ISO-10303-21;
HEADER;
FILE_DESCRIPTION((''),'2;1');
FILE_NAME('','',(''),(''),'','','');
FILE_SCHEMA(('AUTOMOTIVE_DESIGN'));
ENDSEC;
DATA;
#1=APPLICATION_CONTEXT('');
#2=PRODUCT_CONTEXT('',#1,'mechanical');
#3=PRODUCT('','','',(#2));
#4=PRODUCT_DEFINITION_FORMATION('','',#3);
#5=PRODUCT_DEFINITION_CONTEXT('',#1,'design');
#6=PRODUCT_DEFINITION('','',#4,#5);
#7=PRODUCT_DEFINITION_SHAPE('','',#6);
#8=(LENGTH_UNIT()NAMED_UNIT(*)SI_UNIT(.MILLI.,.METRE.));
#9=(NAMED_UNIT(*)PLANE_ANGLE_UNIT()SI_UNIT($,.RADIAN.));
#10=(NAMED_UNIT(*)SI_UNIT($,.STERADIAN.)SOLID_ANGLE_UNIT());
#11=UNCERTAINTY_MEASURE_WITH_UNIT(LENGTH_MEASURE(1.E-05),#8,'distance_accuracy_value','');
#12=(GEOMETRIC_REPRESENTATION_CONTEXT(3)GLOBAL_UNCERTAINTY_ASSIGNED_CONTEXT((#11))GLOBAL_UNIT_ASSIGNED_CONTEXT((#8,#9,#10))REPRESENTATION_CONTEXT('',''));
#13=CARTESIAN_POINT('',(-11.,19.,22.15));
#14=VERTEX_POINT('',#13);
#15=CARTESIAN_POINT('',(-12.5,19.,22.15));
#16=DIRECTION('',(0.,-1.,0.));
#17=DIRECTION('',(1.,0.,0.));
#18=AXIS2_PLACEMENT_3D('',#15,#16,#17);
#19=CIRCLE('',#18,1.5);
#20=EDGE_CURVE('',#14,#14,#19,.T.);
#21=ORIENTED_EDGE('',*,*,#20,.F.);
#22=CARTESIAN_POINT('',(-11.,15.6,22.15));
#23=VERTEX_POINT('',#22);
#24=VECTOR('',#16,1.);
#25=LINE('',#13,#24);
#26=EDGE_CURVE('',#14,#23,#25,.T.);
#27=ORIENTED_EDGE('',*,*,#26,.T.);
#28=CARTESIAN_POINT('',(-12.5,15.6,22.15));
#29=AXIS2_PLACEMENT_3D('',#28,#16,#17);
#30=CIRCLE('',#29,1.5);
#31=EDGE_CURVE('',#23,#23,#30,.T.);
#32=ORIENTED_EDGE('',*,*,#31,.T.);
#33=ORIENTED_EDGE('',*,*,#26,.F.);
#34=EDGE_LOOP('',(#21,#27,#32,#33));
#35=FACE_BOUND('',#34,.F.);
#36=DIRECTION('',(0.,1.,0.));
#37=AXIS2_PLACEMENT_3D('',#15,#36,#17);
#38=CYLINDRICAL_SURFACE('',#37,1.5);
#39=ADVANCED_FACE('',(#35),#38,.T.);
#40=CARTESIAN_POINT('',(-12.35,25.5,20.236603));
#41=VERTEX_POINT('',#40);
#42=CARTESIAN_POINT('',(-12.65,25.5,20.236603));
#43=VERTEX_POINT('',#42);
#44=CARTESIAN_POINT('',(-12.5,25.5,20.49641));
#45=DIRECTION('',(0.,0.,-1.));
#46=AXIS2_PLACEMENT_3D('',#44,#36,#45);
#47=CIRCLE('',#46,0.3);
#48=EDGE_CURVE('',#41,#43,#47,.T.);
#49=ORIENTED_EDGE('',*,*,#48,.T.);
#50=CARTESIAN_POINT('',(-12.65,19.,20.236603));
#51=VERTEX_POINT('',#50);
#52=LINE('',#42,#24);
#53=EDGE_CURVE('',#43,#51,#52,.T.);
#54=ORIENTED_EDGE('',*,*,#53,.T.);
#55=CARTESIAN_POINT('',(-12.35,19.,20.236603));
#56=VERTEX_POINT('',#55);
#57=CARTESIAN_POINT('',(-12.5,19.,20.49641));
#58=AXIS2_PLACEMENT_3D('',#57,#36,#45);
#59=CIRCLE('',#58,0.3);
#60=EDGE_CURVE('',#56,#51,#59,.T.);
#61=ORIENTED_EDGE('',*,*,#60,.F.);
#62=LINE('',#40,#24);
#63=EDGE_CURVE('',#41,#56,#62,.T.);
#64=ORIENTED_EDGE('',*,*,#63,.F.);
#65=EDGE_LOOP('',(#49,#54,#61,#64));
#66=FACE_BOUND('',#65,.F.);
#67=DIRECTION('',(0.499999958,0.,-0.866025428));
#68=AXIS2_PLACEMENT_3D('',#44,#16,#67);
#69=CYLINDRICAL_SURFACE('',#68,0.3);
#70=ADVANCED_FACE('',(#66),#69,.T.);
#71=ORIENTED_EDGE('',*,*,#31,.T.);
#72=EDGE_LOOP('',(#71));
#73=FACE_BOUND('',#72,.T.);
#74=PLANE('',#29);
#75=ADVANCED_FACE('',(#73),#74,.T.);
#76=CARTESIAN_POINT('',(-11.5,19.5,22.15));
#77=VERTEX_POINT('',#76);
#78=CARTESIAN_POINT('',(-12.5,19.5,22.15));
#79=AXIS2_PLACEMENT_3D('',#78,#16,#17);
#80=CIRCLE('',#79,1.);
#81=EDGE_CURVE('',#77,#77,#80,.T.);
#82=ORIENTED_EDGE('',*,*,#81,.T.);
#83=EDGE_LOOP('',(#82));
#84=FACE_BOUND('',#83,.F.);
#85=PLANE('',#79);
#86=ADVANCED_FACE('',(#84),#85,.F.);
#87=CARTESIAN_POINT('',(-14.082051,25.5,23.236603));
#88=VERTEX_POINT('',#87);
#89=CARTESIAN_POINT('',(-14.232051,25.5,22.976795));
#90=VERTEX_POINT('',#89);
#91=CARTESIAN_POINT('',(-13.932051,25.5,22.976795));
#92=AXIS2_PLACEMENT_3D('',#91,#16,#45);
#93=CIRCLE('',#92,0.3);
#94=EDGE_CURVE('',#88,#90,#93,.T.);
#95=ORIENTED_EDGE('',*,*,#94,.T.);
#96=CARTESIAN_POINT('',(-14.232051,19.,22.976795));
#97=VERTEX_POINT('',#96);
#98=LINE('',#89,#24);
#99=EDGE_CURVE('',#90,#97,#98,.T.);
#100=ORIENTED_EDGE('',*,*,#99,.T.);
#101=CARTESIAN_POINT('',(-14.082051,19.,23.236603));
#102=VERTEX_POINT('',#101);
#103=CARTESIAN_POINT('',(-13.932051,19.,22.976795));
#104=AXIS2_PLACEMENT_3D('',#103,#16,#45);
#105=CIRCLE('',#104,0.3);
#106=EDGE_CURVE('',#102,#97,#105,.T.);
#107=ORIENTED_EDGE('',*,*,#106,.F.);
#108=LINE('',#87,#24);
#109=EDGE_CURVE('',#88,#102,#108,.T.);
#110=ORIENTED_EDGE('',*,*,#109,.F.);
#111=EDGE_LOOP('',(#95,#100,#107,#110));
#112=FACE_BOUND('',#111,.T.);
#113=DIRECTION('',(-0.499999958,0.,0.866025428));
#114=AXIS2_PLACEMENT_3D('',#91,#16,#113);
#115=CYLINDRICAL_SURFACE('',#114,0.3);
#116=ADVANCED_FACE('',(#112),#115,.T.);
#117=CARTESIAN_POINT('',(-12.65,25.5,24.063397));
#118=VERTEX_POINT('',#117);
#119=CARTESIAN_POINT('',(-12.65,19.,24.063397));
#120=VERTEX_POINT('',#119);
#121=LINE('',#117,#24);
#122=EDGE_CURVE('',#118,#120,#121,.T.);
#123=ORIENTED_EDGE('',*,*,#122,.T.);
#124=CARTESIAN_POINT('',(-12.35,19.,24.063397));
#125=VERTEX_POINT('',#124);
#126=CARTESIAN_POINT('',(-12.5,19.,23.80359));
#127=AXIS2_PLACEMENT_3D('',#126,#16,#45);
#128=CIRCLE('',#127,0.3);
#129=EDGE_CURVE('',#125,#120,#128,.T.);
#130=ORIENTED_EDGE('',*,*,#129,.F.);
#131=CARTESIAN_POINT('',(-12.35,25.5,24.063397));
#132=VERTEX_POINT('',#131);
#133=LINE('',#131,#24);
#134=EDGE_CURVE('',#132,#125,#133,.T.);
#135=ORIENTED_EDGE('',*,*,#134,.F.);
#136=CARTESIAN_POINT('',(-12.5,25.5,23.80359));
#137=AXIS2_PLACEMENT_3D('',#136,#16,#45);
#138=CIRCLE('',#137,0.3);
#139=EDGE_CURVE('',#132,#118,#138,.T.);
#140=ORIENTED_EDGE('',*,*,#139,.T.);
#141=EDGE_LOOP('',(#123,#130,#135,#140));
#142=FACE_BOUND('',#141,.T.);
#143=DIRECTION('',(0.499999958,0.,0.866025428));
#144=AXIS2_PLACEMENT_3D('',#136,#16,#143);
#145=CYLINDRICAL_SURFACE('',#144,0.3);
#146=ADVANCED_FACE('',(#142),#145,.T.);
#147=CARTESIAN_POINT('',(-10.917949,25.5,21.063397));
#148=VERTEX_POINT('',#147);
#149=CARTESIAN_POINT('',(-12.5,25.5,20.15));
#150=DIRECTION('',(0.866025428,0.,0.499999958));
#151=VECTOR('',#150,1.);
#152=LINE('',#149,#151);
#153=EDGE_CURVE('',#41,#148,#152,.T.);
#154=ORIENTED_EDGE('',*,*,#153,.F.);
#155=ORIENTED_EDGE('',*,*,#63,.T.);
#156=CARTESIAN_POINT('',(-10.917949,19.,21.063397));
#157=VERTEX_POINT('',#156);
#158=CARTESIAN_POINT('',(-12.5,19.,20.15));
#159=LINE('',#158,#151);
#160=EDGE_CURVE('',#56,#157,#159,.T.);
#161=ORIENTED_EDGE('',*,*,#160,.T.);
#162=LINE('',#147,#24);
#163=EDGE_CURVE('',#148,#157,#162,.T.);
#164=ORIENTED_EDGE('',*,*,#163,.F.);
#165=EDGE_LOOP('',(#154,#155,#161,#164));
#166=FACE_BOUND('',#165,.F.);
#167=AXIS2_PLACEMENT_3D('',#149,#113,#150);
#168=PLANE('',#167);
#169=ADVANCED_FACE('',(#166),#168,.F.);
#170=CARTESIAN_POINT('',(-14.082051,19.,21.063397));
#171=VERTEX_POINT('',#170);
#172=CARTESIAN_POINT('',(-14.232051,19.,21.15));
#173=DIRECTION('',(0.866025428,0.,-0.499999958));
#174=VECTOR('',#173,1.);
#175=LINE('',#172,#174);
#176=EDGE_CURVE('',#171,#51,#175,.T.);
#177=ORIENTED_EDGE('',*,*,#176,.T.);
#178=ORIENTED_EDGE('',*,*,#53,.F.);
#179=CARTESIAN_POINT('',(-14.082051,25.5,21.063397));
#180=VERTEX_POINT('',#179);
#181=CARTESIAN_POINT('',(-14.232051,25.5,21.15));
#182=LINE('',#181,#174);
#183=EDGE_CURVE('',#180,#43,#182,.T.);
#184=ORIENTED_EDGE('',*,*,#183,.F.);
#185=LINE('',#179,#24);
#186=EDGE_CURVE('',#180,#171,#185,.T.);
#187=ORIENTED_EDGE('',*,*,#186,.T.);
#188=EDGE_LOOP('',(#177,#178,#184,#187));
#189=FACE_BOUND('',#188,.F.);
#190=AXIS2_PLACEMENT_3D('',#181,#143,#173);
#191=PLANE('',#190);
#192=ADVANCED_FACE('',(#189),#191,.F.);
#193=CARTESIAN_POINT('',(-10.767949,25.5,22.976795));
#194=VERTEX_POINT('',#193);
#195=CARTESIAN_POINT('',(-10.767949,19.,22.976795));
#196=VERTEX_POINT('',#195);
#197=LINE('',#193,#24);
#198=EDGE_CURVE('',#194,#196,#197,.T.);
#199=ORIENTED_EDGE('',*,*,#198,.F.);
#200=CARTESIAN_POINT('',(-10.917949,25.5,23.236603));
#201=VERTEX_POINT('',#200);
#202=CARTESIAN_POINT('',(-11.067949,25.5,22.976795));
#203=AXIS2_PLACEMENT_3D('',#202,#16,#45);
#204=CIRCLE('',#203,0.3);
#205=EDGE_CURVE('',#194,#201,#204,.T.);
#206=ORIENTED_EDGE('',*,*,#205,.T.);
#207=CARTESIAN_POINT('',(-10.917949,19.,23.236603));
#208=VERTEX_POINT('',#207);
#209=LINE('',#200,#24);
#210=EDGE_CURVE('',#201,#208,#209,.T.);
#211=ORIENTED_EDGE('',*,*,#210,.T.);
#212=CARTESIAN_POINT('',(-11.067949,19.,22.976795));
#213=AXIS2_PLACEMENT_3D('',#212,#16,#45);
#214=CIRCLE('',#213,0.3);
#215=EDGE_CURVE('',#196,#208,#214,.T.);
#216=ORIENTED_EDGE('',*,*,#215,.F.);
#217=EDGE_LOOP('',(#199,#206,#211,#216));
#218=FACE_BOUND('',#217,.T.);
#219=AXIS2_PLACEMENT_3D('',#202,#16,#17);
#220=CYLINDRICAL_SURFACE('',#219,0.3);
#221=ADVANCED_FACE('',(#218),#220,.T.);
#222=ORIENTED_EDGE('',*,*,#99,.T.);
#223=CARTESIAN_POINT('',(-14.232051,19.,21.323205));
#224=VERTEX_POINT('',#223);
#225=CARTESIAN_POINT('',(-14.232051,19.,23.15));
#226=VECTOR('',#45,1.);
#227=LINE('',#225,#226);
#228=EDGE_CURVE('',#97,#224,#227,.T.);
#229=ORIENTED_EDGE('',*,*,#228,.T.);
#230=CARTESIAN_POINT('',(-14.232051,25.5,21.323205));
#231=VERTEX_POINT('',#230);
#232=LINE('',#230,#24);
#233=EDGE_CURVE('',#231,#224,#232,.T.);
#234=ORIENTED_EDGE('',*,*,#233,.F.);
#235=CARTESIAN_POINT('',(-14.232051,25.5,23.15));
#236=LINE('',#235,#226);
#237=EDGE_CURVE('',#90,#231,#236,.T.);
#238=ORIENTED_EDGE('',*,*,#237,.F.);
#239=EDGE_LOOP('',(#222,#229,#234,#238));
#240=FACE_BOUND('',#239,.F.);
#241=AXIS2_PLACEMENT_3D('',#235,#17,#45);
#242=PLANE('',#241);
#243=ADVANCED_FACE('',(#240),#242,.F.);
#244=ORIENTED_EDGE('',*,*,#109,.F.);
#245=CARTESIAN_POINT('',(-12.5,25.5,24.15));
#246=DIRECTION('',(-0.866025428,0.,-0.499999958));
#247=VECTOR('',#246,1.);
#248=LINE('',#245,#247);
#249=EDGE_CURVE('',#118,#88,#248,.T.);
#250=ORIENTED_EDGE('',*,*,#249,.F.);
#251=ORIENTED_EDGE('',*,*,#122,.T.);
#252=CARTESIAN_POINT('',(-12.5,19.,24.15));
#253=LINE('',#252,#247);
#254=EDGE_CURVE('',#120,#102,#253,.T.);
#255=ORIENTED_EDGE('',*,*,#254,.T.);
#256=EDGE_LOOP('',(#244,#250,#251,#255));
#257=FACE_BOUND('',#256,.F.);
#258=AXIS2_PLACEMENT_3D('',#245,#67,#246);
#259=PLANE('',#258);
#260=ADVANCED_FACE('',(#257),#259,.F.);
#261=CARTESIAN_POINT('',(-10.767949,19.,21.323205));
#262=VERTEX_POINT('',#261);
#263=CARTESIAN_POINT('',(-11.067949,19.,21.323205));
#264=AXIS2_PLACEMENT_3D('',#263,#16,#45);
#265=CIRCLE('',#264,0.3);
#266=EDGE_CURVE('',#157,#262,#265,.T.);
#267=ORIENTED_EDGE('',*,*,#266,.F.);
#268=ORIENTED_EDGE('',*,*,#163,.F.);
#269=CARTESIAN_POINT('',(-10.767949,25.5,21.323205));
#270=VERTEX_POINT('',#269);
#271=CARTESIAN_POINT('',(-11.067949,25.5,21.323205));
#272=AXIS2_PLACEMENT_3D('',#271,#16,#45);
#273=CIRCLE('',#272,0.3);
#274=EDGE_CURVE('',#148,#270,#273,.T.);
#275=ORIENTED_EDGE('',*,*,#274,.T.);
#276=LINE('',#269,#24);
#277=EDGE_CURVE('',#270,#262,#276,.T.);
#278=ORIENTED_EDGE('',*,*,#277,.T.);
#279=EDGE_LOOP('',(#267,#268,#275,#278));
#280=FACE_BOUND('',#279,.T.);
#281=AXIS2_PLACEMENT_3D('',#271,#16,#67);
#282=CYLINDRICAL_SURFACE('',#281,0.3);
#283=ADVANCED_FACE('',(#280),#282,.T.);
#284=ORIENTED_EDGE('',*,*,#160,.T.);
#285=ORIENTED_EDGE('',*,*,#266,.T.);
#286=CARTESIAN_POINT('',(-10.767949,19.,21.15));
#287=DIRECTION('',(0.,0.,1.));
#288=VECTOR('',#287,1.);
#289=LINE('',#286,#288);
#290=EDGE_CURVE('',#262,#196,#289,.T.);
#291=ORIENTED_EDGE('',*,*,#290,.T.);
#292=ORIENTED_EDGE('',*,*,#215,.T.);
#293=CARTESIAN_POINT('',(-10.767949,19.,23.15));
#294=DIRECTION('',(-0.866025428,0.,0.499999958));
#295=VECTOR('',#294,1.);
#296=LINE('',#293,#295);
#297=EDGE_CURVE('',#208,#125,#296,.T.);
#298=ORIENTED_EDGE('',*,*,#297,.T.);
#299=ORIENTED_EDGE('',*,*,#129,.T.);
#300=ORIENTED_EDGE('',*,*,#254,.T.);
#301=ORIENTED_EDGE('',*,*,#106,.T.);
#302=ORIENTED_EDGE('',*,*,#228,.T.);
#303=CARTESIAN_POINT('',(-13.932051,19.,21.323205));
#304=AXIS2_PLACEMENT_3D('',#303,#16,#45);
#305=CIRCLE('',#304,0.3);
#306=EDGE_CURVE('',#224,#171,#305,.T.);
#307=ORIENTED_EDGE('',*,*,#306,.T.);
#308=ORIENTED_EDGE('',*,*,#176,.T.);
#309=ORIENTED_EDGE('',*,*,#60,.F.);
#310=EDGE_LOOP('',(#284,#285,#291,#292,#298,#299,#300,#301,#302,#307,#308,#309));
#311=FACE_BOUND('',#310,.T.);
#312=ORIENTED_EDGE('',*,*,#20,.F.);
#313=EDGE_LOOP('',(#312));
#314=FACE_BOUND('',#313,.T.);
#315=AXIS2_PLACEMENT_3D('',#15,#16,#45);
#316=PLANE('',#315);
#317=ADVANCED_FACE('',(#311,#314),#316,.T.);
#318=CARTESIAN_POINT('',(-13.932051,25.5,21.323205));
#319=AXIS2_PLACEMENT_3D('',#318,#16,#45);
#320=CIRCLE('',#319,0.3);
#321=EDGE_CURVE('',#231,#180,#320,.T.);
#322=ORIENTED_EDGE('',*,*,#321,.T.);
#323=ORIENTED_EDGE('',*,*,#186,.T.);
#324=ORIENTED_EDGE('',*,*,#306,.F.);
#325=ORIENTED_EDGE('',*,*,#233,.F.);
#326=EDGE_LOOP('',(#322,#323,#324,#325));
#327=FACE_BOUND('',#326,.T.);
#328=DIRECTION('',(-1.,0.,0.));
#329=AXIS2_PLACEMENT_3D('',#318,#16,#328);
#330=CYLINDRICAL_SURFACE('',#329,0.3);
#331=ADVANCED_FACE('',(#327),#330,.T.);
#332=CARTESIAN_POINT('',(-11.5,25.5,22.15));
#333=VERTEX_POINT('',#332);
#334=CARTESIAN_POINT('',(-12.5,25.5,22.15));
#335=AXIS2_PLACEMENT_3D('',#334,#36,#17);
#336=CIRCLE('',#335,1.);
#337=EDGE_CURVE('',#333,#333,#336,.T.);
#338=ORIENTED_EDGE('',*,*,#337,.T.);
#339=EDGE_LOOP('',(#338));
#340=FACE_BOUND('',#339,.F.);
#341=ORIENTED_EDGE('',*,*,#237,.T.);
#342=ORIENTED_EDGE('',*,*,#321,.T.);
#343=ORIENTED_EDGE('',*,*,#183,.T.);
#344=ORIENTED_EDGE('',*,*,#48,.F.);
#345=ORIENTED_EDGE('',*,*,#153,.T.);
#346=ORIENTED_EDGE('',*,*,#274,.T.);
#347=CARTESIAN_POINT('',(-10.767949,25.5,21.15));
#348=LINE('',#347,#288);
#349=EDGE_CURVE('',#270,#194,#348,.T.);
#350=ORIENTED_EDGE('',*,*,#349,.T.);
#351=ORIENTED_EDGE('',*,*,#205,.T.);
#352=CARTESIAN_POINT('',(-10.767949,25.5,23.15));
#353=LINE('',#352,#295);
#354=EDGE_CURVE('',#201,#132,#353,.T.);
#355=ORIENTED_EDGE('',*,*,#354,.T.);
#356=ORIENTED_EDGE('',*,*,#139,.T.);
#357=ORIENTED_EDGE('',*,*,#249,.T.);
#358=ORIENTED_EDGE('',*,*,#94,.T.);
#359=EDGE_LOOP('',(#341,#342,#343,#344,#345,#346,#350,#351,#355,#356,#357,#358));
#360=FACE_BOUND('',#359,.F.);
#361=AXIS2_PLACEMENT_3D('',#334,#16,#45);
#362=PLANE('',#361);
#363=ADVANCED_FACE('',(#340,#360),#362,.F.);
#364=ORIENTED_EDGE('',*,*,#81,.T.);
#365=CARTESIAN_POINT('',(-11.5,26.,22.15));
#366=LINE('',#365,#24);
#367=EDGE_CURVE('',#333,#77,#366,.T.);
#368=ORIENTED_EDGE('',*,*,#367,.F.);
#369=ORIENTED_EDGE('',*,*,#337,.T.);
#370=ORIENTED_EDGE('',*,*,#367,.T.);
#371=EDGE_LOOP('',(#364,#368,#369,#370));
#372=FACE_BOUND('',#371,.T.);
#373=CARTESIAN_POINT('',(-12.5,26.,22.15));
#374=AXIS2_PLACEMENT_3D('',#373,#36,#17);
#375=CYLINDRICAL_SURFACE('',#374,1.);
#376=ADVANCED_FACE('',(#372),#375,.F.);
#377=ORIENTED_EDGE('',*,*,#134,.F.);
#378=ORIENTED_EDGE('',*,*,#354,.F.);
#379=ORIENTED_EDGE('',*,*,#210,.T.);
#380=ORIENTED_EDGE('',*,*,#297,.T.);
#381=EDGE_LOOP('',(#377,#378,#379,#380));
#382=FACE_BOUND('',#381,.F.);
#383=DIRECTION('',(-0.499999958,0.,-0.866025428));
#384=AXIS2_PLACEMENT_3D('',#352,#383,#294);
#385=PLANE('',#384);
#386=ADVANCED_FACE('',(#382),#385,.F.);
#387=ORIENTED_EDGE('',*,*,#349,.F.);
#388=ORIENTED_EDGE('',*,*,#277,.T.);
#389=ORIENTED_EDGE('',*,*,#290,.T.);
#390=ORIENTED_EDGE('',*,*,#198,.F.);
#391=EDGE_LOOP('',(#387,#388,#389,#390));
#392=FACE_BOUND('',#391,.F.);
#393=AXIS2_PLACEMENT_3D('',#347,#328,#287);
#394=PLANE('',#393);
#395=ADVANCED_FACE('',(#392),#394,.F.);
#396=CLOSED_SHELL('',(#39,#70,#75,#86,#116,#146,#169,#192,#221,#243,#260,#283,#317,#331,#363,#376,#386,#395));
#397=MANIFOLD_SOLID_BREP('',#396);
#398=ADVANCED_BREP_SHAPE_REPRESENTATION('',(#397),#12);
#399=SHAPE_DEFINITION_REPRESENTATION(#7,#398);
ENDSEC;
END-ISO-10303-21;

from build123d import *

# Parameters (mm, degrees)
PRISM003_DEPTH    = 6.5
FILLET020_R       = 0.3
CYLINDER016_R     = 1.5
CYLINDER016_DEPTH = 3.4
CYLINDER017_R     = 1
CYLINDER017_DEPTH = 6.5


with BuildPart() as part:
    # Prism003 → Prism003 (join)
    with BuildSketch(Plane(origin=(12.5, 25.5, 6.3), x_dir=(0, 0, -1), z_dir=(0, -1, 0))):
        Polygon((2, 0), (1, 1.732051), (-1, 1.732051), (-2, 0), (-1, -1.732051), (1, -1.732051), align=None)
    extrude(amount=PRISM003_DEPTH)

    # Fillet020
    fillet020_edges = [part.edges().sort_by_distance(p)[0] for p in [
        (12.5, 22.25, 8.3),
        (14.232051, 22.25, 7.3),
        (10.767949, 22.25, 7.3),
        (14.232051, 22.25, 5.3),
        (12.5, 22.25, 4.3),
        (10.767949, 22.25, 5.3),
    ]]
    fillet(fillet020_edges, radius=FILLET020_R)

    # Cylinder016 → Cylinder016 (join)
    with BuildSketch(Plane(origin=(12.5, 19, 6.3), x_dir=(1, 0, 0), z_dir=(0, -1, 0))):
        Circle(CYLINDER016_R)
    extrude(amount=CYLINDER016_DEPTH)

    # Cylinder017 → Cylinder017 (cut)
    with BuildSketch(Plane(origin=(12.5, 26, 6.3), x_dir=(1, 0, 0), z_dir=(0, -1, 0))):
        Circle(CYLINDER017_R)
    extrude(amount=CYLINDER017_DEPTH, mode=Mode.SUBTRACT)


with BuildPart() as part_1:
    # Body009 placement: moved
    add(part.part.moved(Location((-25, 0, 15.85))))


solid = part_1.part
